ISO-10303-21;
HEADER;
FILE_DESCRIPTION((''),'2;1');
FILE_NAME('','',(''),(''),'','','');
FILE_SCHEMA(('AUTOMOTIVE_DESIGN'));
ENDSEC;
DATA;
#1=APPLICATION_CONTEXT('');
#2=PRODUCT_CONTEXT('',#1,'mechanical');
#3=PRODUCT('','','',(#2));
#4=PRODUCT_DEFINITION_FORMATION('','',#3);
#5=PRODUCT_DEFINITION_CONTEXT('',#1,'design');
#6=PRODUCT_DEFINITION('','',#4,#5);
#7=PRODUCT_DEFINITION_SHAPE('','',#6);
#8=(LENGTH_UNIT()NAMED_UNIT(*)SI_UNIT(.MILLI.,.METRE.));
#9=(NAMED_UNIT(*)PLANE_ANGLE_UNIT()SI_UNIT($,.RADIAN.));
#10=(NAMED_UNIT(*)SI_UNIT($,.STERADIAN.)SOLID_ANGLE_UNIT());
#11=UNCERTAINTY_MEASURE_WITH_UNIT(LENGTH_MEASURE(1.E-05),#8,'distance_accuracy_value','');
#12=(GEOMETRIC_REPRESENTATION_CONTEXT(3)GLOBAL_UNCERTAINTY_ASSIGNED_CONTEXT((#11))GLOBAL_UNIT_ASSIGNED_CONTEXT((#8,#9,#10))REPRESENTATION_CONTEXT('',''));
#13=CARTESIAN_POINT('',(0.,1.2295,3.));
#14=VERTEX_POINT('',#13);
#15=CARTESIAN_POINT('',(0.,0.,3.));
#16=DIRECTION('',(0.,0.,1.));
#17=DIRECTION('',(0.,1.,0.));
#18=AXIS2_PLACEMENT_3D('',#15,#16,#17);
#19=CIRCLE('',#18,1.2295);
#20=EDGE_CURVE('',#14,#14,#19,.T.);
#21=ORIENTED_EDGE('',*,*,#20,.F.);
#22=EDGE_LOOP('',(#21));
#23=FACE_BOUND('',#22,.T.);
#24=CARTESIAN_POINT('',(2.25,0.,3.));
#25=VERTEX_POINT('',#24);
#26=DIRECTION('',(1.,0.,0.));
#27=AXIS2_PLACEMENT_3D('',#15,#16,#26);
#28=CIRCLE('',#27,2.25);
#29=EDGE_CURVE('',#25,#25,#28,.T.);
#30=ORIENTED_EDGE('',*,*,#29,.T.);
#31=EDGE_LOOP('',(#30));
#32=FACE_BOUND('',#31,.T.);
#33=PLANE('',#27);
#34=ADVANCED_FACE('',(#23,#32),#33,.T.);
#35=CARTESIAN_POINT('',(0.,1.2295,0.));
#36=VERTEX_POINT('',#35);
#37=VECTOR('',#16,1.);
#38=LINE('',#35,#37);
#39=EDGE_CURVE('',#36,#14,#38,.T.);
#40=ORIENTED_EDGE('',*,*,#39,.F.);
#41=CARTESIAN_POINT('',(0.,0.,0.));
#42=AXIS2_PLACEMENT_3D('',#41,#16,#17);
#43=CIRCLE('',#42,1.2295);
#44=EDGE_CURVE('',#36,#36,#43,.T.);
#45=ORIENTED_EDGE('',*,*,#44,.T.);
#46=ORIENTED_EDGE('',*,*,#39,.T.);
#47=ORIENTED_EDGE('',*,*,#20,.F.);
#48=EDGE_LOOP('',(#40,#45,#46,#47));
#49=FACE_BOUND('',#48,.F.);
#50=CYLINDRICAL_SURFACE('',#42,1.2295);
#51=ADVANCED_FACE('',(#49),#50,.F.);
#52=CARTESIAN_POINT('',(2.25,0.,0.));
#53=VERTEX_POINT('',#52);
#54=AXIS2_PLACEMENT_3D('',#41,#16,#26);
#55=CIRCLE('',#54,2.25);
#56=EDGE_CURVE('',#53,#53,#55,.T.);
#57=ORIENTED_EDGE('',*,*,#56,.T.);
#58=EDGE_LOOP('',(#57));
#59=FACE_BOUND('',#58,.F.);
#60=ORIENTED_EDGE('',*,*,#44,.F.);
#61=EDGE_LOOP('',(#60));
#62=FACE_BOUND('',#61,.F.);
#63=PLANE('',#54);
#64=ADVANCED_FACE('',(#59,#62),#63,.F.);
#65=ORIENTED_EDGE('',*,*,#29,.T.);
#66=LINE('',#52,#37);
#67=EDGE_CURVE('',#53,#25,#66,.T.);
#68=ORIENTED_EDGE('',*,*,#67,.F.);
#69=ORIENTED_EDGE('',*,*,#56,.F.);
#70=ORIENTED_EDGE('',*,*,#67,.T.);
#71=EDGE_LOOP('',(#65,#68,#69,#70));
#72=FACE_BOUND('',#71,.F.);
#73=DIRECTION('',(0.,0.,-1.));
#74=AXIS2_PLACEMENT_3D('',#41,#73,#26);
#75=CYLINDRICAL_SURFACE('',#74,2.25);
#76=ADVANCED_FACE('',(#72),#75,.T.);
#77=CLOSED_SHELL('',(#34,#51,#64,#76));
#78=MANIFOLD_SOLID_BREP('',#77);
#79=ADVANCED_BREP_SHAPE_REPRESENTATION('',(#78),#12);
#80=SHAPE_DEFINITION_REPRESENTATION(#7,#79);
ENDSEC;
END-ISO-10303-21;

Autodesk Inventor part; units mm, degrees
ref_plane "YZ Plane" through (0, 0, 0) normal (1, 0, 0) x (0, 1, 0)
ref_plane "XZ Plane" through (0, 0, 0) normal (0, 1, 0) x (-1, 0, 0)
ref_plane "XY Plane" through (0, 0, 0) normal (0, 0, 1) x (1, 0, 0)
sketch "スケッチ1" plane through (0, 0, 0) normal (0, 0, 1) x (1, 0, 0)
  circle A0 centre (0, 0) radius 2.25
  dimension "d0" = 4.5
extrude "押し出し1" add sketch "スケッチ1" along normal blind 3
hole "穴1" at (0, 0, 0) direction (0, 0, 1) diameter 2.459 depth 8.8 tip angle 118 thread size "M3x0.5" designation "M3" class "6H" standard "GB Metric profile"
properties part number "FB-305530"
